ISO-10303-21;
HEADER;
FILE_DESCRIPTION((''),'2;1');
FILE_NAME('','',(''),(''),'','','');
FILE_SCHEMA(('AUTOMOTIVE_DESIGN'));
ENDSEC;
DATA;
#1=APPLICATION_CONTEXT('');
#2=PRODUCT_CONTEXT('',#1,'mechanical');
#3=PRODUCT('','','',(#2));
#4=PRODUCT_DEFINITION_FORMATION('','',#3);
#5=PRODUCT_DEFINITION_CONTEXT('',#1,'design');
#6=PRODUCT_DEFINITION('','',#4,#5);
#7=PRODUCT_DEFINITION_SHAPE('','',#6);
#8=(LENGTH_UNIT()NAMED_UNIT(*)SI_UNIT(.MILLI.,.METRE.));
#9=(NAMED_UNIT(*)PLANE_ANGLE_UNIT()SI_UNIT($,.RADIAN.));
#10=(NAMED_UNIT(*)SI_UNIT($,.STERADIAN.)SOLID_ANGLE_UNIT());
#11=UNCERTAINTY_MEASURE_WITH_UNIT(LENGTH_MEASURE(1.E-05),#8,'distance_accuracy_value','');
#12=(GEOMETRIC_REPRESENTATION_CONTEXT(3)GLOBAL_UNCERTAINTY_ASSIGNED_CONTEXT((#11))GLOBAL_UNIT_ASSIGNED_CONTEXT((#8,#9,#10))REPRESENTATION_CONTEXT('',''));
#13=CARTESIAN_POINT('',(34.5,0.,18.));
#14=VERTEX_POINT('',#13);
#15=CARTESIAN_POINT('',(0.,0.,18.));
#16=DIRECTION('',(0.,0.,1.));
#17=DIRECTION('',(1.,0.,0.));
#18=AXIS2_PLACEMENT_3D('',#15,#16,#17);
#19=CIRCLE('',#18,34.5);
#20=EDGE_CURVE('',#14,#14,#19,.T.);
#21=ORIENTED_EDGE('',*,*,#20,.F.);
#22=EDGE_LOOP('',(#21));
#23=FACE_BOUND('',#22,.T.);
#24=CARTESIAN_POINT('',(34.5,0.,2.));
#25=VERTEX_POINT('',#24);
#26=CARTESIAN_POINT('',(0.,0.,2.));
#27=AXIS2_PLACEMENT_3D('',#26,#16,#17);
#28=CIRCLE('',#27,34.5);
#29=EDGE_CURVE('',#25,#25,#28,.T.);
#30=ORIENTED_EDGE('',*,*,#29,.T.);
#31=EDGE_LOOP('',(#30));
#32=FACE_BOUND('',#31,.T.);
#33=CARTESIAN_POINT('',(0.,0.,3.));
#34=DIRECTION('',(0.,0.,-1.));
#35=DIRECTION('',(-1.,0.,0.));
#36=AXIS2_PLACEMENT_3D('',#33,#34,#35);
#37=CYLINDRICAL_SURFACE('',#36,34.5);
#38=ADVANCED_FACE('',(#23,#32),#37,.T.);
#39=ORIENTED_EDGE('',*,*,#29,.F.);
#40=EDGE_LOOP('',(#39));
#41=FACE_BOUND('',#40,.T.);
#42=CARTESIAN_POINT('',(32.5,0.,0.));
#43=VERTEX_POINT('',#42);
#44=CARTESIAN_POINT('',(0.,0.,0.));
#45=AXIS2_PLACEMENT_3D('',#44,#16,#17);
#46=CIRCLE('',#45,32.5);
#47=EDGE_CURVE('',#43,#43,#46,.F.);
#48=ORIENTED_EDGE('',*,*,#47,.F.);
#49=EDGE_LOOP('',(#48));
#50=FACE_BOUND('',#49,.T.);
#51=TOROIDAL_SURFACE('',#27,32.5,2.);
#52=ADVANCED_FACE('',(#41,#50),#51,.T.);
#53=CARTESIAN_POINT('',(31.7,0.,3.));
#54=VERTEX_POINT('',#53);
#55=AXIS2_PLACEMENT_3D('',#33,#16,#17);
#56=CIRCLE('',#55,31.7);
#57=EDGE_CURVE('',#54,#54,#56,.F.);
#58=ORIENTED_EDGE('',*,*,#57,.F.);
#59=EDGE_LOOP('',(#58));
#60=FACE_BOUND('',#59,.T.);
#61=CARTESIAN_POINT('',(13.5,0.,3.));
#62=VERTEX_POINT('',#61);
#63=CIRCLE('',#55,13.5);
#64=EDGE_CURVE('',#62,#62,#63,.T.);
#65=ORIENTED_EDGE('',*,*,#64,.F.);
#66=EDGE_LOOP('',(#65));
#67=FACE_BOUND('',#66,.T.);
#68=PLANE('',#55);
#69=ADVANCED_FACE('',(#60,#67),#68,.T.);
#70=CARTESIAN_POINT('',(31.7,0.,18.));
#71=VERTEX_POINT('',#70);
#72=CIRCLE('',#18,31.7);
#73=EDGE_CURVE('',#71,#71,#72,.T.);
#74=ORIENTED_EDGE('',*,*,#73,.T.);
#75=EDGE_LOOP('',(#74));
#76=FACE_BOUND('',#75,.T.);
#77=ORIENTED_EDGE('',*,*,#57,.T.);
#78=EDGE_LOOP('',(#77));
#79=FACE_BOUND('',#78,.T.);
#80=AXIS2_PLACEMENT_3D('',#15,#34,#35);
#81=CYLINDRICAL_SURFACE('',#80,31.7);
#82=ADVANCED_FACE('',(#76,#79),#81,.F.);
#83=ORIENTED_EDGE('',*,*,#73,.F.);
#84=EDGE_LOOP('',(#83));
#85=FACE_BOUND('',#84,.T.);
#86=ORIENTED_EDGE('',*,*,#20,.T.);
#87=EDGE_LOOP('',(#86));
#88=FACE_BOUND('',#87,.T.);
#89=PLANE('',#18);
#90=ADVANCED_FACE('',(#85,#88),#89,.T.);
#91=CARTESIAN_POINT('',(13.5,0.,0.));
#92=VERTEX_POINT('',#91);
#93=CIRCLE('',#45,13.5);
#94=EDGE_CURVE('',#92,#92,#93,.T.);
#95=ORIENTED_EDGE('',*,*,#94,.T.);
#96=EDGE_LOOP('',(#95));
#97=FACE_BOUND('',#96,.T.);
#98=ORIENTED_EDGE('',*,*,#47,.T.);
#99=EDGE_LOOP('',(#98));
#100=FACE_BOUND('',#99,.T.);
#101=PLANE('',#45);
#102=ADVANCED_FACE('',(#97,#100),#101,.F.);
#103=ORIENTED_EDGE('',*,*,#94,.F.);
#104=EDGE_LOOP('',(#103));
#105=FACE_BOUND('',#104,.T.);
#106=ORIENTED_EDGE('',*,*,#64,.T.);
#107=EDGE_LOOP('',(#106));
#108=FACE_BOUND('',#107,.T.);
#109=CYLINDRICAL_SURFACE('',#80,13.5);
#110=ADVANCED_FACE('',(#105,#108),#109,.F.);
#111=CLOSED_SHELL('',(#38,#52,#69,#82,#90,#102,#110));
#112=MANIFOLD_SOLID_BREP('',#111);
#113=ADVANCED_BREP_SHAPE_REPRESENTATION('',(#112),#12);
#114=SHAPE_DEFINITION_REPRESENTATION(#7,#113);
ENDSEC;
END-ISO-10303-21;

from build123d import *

# Parameters (mm, degrees)
ESQUISSE1_R                  = 34.5
BOSS_EXTRU_1_DEPTH           = 3
ESQUISSE2_R                  = 34.5
ESQUISSE2_R_2                = 31.7
BOSS_EXTRU_2_DEPTH           = 15
ENL_V_MAT_EXTRU_1_DEPTH      = 53.00480747
ENL_V_MAT_EXTRU_1_DEPTH_BACK = 53.00480747
ESQUISSE3_R                  = 13.5
CONG_1_R                     = 2


with BuildPart() as part:
    # Esquisse1 → Boss.-Extru.1 (new body)
    with BuildSketch(Plane.XY):
        Circle(ESQUISSE1_R)
    extrude(amount=BOSS_EXTRU_1_DEPTH)

    # Esquisse2 → Boss.-Extru.2 (add)
    with BuildSketch(Plane.XY.offset(3)):
        Circle(ESQUISSE2_R)
        Circle(ESQUISSE2_R_2, mode=Mode.SUBTRACT)
    extrude(amount=BOSS_EXTRU_2_DEPTH)

    # Esquisse3 → Enlèv. mat.-Extru.1 (cut, two sides: drawn at the far end of the back side and taken through both)
    with BuildSketch(Plane(origin=(0, 0, 0), x_dir=(-1, 0, 0), z_dir=(0, 0, -1)).offset(-ENL_V_MAT_EXTRU_1_DEPTH_BACK)):
        with Locations(Location((0, 0, 0), (0, 0, 180))):
            Circle(ESQUISSE3_R)
    extrude(amount=ENL_V_MAT_EXTRU_1_DEPTH + ENL_V_MAT_EXTRU_1_DEPTH_BACK, mode=Mode.SUBTRACT)

    # Congé1
    cong_1_edges = [part.edges().sort_by_distance(p)[0] for p in [
        (-34.5, 0, 0),
    ]]
    fillet(cong_1_edges, radius=CONG_1_R)


solid = part.part
